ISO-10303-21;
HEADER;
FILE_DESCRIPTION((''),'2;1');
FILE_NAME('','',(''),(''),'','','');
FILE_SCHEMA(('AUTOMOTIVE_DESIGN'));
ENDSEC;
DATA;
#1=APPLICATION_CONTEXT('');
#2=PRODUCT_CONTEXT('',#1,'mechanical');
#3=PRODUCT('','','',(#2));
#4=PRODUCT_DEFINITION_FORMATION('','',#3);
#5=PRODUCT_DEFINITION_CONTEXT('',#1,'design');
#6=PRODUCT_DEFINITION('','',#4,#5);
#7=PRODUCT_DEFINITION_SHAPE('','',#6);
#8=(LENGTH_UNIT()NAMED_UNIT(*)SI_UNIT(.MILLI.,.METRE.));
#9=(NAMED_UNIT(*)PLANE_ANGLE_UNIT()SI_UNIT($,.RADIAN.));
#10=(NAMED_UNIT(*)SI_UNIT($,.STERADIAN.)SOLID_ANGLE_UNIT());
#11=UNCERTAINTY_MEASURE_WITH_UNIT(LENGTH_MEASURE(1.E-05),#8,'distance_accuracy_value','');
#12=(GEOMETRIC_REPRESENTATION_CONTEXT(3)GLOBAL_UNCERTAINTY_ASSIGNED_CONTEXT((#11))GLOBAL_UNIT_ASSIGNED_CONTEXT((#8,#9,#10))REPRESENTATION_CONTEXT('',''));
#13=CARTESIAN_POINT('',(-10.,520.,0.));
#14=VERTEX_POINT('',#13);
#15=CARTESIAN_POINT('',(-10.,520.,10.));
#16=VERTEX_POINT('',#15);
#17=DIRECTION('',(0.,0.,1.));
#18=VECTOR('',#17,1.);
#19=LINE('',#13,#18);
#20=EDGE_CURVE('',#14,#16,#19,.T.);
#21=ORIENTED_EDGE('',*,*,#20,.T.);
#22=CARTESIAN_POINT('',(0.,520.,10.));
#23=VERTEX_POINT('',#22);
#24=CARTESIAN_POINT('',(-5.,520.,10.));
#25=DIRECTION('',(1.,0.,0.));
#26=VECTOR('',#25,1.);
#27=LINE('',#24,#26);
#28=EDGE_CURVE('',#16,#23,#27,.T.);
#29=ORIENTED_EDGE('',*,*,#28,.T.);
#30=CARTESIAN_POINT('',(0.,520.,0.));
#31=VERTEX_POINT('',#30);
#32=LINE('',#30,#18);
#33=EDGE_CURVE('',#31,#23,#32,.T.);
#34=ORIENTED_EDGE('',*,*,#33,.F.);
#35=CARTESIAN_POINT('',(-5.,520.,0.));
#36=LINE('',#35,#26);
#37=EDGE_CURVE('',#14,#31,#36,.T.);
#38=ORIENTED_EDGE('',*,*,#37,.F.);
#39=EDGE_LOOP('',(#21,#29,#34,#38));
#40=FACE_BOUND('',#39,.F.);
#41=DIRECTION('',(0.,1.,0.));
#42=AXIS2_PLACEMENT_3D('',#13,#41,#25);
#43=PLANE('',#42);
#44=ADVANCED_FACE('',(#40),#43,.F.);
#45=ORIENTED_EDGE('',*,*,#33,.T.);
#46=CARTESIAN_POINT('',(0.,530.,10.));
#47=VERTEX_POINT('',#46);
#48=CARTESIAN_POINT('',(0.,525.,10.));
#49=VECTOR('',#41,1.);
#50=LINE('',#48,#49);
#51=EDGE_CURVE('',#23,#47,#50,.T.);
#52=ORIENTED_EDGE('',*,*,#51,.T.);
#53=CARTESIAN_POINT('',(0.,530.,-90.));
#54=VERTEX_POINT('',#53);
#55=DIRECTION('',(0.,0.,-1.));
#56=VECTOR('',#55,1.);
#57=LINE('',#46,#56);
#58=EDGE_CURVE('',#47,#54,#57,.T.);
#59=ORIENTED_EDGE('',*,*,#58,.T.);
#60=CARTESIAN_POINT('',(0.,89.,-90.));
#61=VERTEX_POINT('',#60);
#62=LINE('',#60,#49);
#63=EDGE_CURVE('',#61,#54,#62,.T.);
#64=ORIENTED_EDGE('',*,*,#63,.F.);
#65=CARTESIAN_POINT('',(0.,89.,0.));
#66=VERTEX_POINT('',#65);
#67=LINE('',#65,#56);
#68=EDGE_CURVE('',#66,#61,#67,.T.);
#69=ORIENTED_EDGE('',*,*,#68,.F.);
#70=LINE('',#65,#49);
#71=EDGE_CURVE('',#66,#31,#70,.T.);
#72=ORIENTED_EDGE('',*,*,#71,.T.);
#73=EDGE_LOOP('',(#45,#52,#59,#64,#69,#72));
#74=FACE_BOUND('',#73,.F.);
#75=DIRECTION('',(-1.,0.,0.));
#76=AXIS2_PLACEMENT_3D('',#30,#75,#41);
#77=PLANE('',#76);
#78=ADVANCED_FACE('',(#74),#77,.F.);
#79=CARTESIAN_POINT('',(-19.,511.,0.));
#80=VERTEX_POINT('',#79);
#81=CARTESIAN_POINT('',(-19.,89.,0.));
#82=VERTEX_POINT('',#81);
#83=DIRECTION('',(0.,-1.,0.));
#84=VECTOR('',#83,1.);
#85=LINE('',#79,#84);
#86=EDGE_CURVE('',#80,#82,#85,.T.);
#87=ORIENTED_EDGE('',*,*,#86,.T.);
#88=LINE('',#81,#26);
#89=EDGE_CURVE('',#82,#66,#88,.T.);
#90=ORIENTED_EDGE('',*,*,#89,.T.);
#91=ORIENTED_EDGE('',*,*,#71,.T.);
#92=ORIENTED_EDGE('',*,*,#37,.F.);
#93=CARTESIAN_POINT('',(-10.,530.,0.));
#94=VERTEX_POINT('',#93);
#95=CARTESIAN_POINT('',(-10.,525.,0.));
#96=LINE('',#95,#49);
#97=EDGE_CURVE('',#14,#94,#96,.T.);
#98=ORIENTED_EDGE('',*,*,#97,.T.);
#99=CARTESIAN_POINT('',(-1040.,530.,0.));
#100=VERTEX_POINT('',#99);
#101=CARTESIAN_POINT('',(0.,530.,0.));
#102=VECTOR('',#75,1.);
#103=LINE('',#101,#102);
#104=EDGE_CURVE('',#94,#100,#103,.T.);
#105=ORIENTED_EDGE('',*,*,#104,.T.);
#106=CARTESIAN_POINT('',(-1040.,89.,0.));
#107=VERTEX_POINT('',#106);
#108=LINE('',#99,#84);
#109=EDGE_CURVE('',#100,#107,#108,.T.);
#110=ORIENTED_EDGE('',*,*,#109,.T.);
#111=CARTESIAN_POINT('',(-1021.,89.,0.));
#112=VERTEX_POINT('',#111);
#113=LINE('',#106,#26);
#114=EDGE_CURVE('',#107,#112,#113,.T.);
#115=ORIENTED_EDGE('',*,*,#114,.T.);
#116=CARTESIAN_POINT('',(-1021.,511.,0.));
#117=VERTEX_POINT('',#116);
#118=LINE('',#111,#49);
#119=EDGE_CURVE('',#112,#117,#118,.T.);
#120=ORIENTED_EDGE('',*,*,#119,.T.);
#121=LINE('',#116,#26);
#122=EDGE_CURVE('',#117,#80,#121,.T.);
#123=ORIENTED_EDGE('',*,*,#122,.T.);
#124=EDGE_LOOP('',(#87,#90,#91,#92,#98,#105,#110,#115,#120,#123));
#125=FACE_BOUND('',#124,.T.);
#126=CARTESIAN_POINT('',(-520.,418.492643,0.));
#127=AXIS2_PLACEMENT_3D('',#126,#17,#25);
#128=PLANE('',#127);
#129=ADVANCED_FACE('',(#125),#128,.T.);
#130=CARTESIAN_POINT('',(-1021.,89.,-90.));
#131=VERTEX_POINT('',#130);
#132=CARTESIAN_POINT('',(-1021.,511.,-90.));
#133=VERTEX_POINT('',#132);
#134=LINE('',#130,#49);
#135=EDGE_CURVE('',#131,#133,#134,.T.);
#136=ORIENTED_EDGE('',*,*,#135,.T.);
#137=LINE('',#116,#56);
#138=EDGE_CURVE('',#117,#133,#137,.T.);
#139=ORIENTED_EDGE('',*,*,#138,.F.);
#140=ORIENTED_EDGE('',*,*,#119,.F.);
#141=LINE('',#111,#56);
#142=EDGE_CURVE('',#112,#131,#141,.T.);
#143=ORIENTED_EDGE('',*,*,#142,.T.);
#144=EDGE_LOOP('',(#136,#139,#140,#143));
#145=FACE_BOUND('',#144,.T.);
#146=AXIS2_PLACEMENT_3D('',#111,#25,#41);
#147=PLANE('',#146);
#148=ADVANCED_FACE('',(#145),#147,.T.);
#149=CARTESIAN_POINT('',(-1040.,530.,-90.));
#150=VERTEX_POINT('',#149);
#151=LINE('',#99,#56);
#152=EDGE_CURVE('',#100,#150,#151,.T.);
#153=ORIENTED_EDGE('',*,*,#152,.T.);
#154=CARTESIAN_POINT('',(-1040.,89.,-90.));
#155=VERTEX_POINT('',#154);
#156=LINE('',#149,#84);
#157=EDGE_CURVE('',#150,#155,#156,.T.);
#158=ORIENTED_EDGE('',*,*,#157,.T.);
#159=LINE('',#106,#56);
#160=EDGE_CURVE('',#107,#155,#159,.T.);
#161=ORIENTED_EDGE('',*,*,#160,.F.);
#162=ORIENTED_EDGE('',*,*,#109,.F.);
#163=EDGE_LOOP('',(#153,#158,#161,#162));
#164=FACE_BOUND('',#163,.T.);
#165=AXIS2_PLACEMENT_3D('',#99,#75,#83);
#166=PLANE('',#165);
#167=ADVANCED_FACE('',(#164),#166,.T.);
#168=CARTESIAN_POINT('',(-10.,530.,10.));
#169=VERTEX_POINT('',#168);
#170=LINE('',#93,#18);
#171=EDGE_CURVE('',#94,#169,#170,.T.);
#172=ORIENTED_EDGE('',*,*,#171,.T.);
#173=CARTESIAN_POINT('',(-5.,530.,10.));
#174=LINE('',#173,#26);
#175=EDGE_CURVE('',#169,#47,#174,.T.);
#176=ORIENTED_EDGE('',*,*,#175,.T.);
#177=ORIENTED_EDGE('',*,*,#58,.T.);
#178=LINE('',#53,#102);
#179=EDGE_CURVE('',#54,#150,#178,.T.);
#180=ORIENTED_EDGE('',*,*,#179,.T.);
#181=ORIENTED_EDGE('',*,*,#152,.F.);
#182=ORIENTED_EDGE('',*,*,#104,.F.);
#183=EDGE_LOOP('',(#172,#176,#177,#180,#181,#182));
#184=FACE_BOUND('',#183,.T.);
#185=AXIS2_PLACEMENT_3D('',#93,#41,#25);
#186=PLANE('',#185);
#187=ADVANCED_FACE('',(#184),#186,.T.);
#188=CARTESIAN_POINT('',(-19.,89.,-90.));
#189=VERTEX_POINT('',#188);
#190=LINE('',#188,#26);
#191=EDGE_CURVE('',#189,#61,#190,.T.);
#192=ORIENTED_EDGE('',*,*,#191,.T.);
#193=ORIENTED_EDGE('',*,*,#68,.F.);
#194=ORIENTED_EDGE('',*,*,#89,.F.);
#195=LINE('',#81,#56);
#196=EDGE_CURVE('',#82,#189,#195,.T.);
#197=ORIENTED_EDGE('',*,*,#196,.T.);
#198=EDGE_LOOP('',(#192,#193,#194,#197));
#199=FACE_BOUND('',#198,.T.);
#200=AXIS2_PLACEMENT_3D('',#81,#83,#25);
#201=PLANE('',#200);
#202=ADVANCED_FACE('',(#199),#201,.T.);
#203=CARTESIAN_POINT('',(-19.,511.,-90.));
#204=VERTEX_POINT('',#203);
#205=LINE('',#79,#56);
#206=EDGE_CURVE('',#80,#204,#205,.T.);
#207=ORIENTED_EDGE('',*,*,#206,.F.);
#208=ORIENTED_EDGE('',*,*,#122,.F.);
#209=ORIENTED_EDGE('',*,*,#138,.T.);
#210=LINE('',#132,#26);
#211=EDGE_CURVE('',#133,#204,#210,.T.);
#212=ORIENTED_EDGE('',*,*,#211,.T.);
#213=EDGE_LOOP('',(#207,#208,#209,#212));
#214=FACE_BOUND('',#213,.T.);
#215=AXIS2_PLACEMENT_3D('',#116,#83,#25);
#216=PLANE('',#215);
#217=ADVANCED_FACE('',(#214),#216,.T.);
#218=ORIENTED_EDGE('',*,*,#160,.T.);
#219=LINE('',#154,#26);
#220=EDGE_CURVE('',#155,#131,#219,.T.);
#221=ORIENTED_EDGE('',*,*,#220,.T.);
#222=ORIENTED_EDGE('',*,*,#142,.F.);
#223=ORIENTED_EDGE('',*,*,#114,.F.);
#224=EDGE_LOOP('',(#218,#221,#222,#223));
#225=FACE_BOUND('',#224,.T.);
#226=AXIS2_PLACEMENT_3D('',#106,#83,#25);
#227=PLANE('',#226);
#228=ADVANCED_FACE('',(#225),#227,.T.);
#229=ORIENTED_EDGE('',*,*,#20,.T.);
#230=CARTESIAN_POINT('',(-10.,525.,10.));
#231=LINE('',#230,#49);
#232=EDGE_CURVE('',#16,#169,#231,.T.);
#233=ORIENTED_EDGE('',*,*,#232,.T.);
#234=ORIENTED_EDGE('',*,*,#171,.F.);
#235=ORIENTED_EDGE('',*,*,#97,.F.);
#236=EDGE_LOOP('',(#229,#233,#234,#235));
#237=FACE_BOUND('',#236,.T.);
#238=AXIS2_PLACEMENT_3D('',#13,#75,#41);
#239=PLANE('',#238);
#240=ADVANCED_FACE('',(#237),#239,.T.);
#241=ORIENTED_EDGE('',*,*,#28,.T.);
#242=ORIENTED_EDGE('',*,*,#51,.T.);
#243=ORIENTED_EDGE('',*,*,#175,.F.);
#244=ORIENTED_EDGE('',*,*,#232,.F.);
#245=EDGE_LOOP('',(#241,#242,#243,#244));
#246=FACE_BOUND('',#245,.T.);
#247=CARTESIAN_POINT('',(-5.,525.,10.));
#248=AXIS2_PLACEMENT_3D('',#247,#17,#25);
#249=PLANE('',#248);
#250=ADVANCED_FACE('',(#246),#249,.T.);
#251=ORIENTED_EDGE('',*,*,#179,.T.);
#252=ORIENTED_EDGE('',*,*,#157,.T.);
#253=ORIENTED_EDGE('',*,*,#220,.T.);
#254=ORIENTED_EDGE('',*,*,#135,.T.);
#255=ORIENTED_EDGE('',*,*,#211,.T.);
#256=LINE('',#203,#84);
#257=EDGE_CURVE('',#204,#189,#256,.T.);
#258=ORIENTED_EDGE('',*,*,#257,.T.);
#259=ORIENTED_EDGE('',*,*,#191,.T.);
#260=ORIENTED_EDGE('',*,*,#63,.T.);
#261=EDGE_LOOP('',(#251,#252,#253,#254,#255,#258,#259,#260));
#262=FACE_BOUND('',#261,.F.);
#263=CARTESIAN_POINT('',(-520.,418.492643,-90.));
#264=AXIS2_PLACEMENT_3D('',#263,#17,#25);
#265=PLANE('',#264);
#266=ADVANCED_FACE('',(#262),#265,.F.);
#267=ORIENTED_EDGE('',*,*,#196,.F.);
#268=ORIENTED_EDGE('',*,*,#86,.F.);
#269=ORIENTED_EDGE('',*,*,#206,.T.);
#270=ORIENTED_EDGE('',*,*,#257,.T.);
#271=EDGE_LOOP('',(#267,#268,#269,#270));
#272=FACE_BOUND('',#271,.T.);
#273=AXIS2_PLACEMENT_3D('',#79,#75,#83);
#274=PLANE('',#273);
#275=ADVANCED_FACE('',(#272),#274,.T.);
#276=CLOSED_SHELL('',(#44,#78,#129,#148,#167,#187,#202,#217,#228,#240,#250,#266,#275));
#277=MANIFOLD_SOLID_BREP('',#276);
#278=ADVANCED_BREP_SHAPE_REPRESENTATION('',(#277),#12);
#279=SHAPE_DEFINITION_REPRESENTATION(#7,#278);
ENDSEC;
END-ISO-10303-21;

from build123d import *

# Parameters (mm, degrees)
F1_DEPTH = 90
F2_W     = 10
F2_H     = 10
F3_DEPTH = 10


with BuildPart() as f1:
    # F0 (on Top) → F1 (new body)
    with BuildSketch(Plane.XY):
        Polygon((-19, 89), (0, 89), (0, 530), (-1040, 530), (-1040, 89), (-1021, 89), (-1021, 511), (-19, 511), align=None)
    extrude(amount=-F1_DEPTH)

    # F2 (on Top) → F3 (join)
    with BuildSketch(Plane.XY):
        with Locations((-5, 525)):
            Rectangle(F2_W, F2_H)
    extrude(amount=F3_DEPTH)


solid = f1.part
